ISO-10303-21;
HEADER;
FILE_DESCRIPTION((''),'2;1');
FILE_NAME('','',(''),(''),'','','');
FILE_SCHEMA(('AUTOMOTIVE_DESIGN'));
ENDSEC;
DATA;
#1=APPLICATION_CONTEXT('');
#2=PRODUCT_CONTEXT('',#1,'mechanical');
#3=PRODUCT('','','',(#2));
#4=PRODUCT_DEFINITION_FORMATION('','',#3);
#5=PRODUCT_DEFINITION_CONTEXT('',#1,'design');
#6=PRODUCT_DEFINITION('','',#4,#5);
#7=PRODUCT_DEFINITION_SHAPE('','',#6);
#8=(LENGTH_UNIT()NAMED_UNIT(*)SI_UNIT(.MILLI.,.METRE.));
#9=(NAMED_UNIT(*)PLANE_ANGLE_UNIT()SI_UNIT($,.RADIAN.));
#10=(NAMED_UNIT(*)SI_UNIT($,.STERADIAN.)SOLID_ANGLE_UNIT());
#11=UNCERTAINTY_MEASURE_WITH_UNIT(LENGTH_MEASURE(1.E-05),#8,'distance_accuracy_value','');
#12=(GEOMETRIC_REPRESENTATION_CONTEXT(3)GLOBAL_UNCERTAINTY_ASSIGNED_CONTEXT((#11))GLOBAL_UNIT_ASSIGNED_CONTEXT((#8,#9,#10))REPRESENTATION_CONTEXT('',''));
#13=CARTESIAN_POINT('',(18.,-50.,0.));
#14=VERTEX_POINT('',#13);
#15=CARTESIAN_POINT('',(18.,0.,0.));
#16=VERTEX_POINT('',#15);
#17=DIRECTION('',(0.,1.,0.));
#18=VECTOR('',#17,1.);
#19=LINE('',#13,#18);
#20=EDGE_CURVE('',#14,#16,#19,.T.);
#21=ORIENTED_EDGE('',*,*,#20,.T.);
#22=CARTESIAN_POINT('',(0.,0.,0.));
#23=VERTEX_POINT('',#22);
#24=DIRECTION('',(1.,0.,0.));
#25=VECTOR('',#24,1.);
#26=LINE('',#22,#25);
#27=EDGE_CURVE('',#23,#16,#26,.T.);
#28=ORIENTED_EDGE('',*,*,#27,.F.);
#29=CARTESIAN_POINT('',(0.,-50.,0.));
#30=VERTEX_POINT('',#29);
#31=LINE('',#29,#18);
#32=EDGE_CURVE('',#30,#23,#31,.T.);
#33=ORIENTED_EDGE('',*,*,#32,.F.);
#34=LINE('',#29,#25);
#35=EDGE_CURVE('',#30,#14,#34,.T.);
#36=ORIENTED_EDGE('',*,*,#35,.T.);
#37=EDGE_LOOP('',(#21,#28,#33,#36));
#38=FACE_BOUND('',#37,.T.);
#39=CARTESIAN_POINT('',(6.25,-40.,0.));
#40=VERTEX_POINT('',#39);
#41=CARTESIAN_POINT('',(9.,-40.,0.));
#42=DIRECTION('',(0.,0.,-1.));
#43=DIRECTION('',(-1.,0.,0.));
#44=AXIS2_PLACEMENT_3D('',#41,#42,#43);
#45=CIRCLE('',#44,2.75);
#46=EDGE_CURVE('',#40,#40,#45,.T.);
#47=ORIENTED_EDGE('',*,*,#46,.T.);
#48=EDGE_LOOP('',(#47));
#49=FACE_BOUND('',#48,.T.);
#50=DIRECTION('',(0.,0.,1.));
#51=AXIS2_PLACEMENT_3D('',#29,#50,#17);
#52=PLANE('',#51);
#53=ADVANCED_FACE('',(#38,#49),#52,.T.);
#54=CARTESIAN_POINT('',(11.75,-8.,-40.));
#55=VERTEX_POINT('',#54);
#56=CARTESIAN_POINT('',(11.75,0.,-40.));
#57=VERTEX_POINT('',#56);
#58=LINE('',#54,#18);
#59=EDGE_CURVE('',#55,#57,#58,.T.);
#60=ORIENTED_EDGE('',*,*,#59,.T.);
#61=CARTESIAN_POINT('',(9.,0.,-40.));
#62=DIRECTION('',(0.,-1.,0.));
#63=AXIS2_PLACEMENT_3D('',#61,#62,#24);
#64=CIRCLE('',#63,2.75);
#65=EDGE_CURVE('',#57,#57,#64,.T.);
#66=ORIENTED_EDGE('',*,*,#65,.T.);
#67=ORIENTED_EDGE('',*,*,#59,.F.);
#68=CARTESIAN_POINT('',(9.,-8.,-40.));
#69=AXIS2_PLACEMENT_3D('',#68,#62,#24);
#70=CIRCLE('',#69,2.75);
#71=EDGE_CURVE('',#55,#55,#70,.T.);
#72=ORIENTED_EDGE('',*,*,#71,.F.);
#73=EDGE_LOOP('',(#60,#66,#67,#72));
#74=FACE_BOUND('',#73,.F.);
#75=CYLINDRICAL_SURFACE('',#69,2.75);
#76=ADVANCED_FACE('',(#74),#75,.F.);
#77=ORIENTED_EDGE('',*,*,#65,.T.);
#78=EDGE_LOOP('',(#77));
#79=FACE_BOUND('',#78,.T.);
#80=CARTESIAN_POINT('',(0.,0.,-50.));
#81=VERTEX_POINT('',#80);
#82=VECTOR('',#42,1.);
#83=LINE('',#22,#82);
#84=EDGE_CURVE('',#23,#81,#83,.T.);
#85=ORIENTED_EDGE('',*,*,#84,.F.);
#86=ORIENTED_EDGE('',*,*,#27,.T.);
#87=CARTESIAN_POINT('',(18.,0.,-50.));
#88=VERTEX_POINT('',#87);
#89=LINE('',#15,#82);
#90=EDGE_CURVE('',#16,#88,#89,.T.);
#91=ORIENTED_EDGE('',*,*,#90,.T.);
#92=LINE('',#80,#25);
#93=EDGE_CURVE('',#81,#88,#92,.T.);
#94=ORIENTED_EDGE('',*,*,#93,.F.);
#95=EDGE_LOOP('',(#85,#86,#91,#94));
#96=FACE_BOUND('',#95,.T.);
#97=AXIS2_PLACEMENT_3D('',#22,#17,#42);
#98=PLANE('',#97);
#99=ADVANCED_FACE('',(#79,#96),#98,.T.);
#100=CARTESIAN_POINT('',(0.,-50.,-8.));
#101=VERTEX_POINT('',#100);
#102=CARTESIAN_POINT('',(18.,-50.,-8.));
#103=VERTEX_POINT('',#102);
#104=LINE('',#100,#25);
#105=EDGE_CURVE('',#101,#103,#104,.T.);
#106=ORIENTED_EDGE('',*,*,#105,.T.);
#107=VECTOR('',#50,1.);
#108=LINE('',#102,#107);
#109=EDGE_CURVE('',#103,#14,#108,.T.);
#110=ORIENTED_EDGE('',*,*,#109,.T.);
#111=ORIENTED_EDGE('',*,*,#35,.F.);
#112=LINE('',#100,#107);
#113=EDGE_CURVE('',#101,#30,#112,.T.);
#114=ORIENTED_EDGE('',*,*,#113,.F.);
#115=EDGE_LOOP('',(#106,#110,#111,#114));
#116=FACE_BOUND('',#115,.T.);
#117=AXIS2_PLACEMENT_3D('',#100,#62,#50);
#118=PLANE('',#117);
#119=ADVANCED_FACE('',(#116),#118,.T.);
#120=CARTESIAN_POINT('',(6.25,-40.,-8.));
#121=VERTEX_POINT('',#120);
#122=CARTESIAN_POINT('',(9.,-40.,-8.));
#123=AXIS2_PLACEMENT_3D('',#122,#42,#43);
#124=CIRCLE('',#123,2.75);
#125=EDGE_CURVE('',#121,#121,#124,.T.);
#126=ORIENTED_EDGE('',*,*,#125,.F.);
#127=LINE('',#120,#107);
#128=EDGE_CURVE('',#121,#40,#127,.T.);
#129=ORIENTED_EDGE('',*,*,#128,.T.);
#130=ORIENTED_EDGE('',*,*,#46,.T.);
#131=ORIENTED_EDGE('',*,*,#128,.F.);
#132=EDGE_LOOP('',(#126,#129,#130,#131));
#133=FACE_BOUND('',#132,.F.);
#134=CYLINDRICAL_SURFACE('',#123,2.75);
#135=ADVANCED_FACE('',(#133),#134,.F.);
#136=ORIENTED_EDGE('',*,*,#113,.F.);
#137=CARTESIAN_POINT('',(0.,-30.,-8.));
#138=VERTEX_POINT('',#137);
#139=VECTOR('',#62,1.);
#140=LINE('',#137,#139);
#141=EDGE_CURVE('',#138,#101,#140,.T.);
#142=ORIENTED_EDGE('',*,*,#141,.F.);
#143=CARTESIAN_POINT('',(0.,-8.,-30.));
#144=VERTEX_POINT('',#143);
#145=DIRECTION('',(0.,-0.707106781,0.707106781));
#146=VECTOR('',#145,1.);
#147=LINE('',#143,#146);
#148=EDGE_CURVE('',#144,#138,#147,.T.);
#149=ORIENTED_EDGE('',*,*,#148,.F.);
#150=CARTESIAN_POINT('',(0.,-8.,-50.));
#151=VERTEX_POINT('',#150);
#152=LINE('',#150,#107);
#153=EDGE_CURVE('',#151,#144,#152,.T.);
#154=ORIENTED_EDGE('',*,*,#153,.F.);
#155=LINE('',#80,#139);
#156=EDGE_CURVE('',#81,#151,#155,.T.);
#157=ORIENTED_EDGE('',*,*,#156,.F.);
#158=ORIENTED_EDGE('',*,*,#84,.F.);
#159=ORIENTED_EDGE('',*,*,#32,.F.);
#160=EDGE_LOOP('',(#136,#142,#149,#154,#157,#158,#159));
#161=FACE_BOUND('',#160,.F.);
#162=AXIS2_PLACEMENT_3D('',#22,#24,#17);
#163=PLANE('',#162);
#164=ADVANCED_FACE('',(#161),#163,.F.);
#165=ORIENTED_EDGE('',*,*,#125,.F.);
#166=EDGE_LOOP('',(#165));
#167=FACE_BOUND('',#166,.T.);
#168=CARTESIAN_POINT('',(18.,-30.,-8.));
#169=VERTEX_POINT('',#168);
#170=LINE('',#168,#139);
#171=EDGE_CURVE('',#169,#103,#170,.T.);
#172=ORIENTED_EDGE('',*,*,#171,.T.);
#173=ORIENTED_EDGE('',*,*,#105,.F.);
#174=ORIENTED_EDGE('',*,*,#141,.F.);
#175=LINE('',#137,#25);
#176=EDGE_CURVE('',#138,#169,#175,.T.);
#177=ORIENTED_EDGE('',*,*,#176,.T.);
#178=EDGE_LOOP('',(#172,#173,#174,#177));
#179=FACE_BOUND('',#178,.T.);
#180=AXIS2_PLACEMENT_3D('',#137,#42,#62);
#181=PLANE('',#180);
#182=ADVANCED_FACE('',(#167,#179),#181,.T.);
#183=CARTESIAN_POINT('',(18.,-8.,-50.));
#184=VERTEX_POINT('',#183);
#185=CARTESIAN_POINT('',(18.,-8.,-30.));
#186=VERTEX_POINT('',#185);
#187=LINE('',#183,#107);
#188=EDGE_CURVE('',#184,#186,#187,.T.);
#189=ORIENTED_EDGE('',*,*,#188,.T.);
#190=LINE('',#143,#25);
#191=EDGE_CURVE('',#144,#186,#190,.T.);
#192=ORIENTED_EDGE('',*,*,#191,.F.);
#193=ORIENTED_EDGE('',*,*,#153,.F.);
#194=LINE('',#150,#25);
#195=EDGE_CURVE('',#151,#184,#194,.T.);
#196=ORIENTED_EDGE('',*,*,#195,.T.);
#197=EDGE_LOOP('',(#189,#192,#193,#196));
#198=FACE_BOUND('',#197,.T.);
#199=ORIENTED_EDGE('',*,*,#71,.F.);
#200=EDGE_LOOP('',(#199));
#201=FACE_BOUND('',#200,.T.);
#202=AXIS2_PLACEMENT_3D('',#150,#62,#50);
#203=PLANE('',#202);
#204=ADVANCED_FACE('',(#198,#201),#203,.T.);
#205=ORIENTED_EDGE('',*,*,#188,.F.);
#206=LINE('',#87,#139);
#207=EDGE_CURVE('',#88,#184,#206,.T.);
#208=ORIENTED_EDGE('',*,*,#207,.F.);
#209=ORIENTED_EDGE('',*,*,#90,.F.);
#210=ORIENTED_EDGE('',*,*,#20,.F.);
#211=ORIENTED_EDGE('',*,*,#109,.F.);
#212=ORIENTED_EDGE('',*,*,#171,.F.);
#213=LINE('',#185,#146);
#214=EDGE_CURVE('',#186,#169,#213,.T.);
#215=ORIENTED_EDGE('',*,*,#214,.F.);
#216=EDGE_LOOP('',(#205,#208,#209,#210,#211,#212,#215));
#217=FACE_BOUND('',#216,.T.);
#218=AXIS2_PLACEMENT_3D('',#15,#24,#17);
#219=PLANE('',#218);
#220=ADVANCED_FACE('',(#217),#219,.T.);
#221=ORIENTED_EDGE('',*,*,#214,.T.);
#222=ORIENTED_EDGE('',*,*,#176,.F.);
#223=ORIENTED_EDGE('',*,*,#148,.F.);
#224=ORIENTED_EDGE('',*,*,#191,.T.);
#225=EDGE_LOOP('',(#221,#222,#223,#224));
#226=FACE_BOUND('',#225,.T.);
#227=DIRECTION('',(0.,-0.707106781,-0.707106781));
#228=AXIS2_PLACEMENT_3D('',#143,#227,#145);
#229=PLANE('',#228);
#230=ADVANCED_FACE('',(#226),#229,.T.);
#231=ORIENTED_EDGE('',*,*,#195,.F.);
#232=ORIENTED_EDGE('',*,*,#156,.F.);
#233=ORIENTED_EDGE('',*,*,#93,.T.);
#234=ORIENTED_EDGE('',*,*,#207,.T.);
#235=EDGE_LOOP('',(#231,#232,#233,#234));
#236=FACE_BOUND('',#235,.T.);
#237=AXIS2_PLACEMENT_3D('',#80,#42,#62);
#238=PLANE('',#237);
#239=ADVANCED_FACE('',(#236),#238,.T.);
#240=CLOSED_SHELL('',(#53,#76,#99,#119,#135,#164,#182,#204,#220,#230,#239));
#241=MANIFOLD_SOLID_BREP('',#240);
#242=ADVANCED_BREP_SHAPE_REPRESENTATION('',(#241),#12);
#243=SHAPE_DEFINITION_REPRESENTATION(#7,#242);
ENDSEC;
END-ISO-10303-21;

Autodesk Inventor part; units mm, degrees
ref_plane "YZ Plane" through (0, 0, 0) normal (1, 0, 0) x (0, 1, 0)
ref_plane "XZ Plane" through (0, 0, 0) normal (0, 1, 0) x (-1, 0, 0)
ref_plane "XY Plane" through (0, 0, 0) normal (0, 0, 1) x (1, 0, 0)
sketch "Sketch1" plane through (0, 0, 0) normal (1, 0, 0) x (0, 1, 0)
  line L0 (-50, 0) -> (0, 0)
  line L1 (0, 0) -> (0, -50)
  line L2 (0, -50) -> (-8, -50)
  line L3 (-8, -50) -> (-8, -30)
  line L4 (-8, -30) -> (-30, -8)
  line L5 (-30, -8) -> (-50, -8)
  line L6 (-50, -8) -> (-50, 0)
  dimension "d0" = 50
  dimension "d1" = 8
  dimension "d2" = 8
  dimension "d3" = 20
  dimension "d4" = 20
extrude "Extrusion1" add sketch "Sketch1" along normal blind 18
sketch "Sketch2" plane through (0, -8, -50) normal (0, -1, 0) x (1, 0, 0)
  circle A0 centre (9, 10) radius 2.75
  line L0 (18, 20) -> (18, 0) projected
  line L1 (0, 0) -> (18, 0) projected
  point P0 (0, 50)
  dimension "d7" = 5.5
  dimension "d8" = 9
  dimension "d9" = 10
extrude "Extrusion2" cut sketch "Sketch2" against normal through all
sketch "Sketch3" plane through (0, -50, -8) normal (0, 0, -1) x (-1, 0, 0)
  circle A0 centre (-9, 10) radius 2.75
  line L0 (-18, 0) -> (-18, 20) projected
  line L1 (0, 0) -> (-18, 0) projected
  point P0 (0, 50)
  dimension "d12" = 5.5
  dimension "d13" = 9
  dimension "d14" = 10
extrude "Extrusion3" cut sketch "Sketch3" against normal through all
properties part number "90degree Braces" material "Steel, Cast"
